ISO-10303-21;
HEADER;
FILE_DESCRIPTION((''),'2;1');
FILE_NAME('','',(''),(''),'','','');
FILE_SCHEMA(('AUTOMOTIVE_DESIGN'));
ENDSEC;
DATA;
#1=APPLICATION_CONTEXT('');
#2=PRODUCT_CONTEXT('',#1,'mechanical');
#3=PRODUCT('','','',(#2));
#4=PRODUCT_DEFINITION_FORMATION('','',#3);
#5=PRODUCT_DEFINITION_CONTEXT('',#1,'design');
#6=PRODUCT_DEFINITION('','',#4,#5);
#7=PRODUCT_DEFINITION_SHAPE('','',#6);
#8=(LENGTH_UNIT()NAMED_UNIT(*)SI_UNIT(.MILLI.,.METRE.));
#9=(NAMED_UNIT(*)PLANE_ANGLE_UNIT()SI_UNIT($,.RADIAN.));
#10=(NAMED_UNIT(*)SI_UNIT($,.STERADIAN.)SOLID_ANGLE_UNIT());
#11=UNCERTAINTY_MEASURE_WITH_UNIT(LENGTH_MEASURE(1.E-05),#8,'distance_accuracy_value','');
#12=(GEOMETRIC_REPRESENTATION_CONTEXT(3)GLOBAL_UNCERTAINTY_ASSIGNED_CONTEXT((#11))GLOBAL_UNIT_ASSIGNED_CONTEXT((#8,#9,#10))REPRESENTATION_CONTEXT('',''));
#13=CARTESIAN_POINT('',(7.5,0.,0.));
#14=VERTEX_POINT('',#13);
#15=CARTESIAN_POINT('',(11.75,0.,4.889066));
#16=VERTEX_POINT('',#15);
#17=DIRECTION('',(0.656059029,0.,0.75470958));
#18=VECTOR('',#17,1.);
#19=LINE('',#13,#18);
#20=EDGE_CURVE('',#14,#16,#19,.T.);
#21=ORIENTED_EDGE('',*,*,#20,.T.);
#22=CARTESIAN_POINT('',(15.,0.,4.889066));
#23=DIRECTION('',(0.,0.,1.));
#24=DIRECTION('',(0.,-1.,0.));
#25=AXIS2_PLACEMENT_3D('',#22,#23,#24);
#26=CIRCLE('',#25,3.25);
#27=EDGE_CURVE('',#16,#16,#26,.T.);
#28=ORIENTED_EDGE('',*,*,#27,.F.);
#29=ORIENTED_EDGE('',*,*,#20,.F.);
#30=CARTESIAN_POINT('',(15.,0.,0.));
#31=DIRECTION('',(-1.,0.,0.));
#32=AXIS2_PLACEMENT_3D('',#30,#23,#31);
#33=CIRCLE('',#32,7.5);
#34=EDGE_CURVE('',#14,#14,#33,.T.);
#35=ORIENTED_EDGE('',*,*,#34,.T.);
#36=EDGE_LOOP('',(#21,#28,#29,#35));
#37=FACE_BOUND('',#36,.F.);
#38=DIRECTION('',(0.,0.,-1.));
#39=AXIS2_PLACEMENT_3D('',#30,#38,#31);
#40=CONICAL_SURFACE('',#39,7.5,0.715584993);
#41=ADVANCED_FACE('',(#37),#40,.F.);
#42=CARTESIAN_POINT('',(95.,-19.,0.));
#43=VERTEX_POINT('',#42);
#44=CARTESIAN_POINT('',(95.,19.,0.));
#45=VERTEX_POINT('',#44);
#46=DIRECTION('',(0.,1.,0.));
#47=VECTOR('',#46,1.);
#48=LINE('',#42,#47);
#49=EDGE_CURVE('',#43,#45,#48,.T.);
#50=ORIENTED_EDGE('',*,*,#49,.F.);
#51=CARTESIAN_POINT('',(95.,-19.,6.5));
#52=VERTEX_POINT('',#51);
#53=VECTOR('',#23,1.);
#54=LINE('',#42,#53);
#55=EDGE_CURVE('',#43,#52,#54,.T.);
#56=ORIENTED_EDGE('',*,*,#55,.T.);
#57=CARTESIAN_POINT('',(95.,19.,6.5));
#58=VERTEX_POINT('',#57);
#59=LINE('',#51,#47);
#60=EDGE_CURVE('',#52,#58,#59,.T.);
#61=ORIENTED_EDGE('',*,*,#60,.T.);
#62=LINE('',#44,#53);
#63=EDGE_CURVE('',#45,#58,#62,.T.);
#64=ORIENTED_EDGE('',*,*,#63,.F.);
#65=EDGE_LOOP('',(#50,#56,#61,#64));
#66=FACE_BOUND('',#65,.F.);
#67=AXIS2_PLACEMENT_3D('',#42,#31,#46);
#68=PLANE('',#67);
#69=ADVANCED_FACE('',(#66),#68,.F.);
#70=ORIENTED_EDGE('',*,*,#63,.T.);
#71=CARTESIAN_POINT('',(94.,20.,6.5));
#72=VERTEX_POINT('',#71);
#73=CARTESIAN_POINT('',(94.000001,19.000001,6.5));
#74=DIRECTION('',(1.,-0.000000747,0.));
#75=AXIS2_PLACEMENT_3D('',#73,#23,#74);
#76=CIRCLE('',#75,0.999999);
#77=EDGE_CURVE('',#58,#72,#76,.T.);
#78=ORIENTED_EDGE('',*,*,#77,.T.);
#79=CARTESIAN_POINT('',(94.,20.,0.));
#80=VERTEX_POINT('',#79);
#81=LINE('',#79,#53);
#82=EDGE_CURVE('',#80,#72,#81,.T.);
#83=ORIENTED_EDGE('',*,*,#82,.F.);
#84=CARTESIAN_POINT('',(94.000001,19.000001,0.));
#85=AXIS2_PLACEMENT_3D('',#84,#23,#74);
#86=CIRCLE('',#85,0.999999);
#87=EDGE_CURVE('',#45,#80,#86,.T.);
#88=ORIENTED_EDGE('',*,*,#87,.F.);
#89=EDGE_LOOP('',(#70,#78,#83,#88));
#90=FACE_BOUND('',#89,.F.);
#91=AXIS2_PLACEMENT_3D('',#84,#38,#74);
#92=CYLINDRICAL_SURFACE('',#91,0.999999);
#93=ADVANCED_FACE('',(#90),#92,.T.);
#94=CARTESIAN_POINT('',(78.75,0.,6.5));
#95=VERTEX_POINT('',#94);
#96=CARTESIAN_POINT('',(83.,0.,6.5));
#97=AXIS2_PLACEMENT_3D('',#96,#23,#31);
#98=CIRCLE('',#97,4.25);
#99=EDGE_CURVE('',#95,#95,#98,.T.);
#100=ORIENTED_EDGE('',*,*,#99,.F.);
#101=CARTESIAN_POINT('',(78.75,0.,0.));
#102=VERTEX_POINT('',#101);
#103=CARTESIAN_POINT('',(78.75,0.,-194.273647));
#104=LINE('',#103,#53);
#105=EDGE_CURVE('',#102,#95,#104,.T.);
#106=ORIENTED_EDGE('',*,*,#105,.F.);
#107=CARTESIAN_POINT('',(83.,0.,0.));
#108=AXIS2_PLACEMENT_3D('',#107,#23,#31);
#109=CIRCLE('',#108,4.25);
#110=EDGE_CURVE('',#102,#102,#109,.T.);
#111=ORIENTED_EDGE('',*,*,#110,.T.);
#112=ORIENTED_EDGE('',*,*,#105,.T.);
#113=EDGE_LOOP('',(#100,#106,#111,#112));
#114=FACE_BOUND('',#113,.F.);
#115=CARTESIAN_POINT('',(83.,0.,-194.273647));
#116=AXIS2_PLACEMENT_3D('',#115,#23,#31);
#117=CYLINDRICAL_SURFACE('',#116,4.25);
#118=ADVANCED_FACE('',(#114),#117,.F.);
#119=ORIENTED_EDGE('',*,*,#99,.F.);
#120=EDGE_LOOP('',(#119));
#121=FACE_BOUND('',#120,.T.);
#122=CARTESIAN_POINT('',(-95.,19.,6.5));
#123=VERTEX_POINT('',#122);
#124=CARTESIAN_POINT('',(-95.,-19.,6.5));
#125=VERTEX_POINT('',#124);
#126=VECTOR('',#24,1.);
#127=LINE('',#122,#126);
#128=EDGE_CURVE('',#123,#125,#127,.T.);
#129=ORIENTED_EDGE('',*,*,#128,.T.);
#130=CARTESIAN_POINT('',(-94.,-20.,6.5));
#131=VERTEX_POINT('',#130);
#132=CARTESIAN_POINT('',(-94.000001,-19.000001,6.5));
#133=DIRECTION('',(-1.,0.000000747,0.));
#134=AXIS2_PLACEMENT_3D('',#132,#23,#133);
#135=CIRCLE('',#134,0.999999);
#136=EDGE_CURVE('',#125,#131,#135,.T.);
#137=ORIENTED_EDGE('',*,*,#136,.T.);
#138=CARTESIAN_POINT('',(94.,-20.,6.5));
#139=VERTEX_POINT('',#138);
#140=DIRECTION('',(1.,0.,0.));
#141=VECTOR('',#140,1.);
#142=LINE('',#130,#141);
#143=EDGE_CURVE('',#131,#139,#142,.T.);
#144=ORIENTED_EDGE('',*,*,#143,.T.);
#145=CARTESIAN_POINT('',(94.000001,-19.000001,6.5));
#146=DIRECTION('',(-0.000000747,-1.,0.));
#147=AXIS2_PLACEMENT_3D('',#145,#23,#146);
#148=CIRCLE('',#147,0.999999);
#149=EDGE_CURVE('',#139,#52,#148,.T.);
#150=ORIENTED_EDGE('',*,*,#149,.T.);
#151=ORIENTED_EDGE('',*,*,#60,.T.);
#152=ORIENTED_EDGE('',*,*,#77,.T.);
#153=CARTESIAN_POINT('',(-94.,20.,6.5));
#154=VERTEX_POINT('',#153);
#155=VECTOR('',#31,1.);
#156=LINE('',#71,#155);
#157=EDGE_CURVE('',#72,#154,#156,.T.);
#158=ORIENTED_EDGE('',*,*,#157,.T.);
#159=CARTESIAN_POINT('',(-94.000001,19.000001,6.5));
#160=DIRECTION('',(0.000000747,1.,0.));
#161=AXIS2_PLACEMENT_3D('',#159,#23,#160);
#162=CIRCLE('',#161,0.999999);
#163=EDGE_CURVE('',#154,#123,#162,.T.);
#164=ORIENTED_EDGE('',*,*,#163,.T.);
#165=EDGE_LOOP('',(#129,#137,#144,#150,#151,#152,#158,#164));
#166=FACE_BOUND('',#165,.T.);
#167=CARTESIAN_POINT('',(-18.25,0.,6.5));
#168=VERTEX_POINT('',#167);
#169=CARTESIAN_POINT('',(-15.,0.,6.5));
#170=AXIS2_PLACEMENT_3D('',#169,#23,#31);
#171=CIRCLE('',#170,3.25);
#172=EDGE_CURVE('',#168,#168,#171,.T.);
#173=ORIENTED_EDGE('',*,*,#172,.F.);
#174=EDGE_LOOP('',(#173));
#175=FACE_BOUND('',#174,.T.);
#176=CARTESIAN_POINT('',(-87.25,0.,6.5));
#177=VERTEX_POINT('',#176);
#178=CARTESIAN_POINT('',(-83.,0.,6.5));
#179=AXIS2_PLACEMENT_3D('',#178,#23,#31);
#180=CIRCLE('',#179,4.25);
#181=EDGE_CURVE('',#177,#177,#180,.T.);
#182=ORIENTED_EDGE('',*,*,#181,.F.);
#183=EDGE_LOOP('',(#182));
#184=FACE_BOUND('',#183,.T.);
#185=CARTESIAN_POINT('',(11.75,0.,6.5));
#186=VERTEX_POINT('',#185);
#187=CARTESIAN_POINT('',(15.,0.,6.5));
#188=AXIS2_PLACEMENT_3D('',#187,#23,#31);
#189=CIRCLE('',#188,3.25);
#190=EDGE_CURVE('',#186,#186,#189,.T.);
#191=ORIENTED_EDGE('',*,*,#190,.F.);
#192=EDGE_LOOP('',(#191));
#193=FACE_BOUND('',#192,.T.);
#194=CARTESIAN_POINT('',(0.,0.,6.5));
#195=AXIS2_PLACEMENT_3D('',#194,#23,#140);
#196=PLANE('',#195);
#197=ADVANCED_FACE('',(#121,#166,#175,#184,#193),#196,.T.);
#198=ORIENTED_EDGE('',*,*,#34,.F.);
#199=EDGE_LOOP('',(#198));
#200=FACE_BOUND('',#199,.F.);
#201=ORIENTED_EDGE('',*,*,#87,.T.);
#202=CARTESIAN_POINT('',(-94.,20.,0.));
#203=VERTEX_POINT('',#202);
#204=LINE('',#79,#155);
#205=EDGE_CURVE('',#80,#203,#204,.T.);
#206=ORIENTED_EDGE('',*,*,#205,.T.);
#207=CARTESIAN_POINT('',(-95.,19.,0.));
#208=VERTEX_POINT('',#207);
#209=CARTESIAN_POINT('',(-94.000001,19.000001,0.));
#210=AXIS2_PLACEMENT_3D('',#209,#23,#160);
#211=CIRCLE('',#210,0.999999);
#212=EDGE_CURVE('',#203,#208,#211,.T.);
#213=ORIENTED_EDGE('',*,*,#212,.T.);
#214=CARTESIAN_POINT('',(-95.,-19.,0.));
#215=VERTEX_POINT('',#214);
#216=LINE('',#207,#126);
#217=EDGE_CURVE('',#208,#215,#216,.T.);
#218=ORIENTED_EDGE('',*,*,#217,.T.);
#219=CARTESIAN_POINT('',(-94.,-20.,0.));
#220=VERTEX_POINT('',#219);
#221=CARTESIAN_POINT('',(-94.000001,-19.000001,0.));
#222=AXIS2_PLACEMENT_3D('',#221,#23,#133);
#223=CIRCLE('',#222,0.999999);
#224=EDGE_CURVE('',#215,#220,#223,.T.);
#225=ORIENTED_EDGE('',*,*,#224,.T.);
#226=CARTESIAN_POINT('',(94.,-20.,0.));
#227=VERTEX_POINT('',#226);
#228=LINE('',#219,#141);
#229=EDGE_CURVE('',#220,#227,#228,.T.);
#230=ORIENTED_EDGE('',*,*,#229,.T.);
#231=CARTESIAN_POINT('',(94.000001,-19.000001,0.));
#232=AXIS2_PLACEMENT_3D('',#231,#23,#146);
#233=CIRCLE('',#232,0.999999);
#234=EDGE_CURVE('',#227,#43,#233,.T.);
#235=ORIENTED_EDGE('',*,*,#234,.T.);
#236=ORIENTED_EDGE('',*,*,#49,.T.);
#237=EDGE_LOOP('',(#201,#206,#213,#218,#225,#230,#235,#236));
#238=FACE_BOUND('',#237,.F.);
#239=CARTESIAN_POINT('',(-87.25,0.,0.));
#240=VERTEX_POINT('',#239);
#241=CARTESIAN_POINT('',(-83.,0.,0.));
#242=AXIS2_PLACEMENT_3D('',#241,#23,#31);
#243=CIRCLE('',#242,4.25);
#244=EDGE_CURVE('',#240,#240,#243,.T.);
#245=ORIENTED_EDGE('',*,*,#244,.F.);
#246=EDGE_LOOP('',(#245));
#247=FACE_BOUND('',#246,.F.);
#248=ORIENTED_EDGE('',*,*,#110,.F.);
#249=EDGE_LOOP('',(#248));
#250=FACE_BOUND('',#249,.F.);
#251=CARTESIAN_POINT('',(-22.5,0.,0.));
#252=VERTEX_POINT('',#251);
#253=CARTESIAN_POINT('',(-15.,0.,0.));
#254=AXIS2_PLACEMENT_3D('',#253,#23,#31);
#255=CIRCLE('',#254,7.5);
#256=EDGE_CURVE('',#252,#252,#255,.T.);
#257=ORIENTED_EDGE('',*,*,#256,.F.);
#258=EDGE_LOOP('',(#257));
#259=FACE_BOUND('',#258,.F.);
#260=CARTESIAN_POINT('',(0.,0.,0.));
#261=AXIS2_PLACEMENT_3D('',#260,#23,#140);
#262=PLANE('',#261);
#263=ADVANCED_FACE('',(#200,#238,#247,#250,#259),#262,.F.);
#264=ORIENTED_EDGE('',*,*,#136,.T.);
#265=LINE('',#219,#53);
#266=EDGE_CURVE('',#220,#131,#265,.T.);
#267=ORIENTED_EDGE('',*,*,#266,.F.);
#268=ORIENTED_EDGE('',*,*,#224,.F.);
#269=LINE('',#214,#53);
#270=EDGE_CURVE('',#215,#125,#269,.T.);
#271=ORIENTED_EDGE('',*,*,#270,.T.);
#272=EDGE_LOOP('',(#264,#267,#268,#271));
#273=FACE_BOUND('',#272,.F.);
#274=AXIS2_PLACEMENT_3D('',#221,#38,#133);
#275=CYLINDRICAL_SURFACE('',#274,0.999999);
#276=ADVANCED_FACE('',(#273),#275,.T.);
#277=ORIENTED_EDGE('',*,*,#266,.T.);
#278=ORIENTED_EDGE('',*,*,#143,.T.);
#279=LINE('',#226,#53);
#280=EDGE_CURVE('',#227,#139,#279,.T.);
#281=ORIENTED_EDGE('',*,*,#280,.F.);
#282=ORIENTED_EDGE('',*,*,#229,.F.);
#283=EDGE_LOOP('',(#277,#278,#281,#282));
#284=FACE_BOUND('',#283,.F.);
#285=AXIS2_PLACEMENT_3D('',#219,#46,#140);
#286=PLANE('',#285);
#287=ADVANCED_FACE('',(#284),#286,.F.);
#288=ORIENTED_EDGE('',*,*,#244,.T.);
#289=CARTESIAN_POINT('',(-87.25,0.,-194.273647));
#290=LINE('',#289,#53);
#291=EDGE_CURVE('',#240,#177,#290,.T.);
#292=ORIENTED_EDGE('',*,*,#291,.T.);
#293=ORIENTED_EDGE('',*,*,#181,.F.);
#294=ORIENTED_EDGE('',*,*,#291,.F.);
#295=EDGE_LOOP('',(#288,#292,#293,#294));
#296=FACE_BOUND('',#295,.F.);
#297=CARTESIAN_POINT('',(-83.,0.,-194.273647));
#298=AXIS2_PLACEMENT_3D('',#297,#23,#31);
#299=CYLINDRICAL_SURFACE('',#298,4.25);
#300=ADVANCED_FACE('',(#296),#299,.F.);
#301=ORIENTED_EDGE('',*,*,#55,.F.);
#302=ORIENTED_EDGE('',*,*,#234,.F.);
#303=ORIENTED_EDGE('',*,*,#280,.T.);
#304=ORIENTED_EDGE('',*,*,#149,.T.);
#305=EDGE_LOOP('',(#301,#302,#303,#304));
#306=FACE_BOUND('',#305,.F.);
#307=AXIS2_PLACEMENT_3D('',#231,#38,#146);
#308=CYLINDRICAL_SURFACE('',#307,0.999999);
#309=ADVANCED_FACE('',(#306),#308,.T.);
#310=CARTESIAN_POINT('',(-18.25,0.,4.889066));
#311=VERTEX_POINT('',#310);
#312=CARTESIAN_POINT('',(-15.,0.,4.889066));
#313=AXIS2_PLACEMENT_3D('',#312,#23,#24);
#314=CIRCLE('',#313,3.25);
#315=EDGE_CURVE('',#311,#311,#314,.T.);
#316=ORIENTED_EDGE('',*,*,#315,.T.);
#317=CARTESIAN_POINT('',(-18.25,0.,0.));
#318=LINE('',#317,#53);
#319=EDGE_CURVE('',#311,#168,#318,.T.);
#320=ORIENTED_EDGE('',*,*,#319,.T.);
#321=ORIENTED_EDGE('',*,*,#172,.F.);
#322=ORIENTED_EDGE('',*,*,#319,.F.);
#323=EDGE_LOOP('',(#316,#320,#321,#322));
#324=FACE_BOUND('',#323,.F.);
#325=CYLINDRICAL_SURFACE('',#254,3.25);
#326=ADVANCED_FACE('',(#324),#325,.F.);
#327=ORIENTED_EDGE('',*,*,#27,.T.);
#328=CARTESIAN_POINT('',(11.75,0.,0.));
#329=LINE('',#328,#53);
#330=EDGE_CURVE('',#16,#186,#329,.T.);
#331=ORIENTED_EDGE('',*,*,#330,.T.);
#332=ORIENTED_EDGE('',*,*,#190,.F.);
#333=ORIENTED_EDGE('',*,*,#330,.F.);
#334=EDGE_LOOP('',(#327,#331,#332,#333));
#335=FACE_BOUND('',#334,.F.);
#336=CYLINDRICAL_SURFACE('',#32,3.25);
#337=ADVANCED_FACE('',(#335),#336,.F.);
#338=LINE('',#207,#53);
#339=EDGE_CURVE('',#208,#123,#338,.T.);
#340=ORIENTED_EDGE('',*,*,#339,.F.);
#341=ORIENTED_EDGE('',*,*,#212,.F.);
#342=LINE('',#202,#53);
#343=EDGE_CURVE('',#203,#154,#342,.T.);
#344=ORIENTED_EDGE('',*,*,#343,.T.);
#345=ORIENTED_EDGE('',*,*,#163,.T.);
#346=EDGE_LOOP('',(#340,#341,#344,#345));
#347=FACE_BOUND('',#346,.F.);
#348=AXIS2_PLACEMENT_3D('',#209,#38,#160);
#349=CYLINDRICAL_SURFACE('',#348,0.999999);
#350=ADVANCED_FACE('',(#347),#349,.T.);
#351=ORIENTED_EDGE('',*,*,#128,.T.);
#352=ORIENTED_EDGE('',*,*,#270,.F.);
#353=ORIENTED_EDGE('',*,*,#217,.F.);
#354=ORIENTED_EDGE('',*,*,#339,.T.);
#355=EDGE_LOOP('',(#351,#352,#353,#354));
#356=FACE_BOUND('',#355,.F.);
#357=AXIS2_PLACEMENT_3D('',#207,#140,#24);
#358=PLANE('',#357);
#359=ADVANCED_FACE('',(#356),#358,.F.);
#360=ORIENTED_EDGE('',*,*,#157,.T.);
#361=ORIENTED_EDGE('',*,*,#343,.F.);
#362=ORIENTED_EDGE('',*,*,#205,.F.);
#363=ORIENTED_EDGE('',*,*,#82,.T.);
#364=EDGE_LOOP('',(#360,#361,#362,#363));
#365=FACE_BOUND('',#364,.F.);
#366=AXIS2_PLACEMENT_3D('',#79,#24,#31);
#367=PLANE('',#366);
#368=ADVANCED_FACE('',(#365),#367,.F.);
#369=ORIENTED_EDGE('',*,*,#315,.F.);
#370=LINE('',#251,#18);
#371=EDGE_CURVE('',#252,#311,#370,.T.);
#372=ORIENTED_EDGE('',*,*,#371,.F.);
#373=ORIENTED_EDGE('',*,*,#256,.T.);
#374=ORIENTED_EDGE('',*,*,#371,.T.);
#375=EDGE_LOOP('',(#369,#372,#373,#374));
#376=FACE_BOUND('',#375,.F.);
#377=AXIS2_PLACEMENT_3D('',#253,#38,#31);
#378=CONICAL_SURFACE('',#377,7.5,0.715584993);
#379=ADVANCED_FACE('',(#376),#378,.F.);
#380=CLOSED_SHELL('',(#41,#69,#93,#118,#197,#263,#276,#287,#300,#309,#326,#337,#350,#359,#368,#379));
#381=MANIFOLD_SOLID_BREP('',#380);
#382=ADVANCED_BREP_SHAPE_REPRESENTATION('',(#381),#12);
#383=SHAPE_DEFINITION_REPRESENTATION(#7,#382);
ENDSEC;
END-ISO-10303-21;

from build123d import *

# Parameters (mm, degrees)
F1_DEPTH       = 6.5
F2_D           = 8.5
F3_D           = 8.5
F4_D           = 6.5
F4_CSINK_D     = 15
F4_CSINK_ANGLE = 82
F5_D           = 6.5
F5_CSINK_D     = 15
F5_CSINK_ANGLE = 82


with BuildPart() as f1:
    # F0 (on Top) → F1 (new body)
    with BuildSketch(Plane.XY):
        with BuildLine():
            Line((94, 20), (-94, 20))
            ThreePointArc((-94, 20), (-94.707107, 19.707107), (-95, 19))
            Line((-95, 19), (-95, -19))
            ThreePointArc((-95, -19), (-94.707107, -19.707107), (-94, -20))
            Line((-94, -20), (94, -20))
            ThreePointArc((94, -20), (94.707107, -19.707107), (95, -19))
            Line((95, -19), (95, 19))
            ThreePointArc((95, 19), (94.707107, 19.707107), (94, 20))
        make_face()
    extrude(amount=F1_DEPTH)

    # F2 (through all)
    with Locations(Plane(origin=(0, 0, 0), x_dir=(1, 0, 0), z_dir=(0, 0, -1))):
        with Locations((83, 0)):
            Hole(F2_D / 2)

    # F3 (through all)
    with Locations(Plane(origin=(0, 0, 0), x_dir=(1, 0, 0), z_dir=(0, 0, -1))):
        with Locations((-83, 0)):
            Hole(F3_D / 2)

    # F4 (through all)
    with Locations(Plane(origin=(0, 0, 0), x_dir=(1, 0, 0), z_dir=(0, 0, -1))):
        with Locations((15, 0)):
            CounterSinkHole(F4_D / 2, F4_CSINK_D / 2, counter_sink_angle=F4_CSINK_ANGLE)

    # F5 (through all)
    with Locations(Plane(origin=(0, 0, 0), x_dir=(1, 0, 0), z_dir=(0, 0, -1))):
        with Locations((-15, 0)):
            CounterSinkHole(F5_D / 2, F5_CSINK_D / 2, counter_sink_angle=F5_CSINK_ANGLE)


solid = f1.part
